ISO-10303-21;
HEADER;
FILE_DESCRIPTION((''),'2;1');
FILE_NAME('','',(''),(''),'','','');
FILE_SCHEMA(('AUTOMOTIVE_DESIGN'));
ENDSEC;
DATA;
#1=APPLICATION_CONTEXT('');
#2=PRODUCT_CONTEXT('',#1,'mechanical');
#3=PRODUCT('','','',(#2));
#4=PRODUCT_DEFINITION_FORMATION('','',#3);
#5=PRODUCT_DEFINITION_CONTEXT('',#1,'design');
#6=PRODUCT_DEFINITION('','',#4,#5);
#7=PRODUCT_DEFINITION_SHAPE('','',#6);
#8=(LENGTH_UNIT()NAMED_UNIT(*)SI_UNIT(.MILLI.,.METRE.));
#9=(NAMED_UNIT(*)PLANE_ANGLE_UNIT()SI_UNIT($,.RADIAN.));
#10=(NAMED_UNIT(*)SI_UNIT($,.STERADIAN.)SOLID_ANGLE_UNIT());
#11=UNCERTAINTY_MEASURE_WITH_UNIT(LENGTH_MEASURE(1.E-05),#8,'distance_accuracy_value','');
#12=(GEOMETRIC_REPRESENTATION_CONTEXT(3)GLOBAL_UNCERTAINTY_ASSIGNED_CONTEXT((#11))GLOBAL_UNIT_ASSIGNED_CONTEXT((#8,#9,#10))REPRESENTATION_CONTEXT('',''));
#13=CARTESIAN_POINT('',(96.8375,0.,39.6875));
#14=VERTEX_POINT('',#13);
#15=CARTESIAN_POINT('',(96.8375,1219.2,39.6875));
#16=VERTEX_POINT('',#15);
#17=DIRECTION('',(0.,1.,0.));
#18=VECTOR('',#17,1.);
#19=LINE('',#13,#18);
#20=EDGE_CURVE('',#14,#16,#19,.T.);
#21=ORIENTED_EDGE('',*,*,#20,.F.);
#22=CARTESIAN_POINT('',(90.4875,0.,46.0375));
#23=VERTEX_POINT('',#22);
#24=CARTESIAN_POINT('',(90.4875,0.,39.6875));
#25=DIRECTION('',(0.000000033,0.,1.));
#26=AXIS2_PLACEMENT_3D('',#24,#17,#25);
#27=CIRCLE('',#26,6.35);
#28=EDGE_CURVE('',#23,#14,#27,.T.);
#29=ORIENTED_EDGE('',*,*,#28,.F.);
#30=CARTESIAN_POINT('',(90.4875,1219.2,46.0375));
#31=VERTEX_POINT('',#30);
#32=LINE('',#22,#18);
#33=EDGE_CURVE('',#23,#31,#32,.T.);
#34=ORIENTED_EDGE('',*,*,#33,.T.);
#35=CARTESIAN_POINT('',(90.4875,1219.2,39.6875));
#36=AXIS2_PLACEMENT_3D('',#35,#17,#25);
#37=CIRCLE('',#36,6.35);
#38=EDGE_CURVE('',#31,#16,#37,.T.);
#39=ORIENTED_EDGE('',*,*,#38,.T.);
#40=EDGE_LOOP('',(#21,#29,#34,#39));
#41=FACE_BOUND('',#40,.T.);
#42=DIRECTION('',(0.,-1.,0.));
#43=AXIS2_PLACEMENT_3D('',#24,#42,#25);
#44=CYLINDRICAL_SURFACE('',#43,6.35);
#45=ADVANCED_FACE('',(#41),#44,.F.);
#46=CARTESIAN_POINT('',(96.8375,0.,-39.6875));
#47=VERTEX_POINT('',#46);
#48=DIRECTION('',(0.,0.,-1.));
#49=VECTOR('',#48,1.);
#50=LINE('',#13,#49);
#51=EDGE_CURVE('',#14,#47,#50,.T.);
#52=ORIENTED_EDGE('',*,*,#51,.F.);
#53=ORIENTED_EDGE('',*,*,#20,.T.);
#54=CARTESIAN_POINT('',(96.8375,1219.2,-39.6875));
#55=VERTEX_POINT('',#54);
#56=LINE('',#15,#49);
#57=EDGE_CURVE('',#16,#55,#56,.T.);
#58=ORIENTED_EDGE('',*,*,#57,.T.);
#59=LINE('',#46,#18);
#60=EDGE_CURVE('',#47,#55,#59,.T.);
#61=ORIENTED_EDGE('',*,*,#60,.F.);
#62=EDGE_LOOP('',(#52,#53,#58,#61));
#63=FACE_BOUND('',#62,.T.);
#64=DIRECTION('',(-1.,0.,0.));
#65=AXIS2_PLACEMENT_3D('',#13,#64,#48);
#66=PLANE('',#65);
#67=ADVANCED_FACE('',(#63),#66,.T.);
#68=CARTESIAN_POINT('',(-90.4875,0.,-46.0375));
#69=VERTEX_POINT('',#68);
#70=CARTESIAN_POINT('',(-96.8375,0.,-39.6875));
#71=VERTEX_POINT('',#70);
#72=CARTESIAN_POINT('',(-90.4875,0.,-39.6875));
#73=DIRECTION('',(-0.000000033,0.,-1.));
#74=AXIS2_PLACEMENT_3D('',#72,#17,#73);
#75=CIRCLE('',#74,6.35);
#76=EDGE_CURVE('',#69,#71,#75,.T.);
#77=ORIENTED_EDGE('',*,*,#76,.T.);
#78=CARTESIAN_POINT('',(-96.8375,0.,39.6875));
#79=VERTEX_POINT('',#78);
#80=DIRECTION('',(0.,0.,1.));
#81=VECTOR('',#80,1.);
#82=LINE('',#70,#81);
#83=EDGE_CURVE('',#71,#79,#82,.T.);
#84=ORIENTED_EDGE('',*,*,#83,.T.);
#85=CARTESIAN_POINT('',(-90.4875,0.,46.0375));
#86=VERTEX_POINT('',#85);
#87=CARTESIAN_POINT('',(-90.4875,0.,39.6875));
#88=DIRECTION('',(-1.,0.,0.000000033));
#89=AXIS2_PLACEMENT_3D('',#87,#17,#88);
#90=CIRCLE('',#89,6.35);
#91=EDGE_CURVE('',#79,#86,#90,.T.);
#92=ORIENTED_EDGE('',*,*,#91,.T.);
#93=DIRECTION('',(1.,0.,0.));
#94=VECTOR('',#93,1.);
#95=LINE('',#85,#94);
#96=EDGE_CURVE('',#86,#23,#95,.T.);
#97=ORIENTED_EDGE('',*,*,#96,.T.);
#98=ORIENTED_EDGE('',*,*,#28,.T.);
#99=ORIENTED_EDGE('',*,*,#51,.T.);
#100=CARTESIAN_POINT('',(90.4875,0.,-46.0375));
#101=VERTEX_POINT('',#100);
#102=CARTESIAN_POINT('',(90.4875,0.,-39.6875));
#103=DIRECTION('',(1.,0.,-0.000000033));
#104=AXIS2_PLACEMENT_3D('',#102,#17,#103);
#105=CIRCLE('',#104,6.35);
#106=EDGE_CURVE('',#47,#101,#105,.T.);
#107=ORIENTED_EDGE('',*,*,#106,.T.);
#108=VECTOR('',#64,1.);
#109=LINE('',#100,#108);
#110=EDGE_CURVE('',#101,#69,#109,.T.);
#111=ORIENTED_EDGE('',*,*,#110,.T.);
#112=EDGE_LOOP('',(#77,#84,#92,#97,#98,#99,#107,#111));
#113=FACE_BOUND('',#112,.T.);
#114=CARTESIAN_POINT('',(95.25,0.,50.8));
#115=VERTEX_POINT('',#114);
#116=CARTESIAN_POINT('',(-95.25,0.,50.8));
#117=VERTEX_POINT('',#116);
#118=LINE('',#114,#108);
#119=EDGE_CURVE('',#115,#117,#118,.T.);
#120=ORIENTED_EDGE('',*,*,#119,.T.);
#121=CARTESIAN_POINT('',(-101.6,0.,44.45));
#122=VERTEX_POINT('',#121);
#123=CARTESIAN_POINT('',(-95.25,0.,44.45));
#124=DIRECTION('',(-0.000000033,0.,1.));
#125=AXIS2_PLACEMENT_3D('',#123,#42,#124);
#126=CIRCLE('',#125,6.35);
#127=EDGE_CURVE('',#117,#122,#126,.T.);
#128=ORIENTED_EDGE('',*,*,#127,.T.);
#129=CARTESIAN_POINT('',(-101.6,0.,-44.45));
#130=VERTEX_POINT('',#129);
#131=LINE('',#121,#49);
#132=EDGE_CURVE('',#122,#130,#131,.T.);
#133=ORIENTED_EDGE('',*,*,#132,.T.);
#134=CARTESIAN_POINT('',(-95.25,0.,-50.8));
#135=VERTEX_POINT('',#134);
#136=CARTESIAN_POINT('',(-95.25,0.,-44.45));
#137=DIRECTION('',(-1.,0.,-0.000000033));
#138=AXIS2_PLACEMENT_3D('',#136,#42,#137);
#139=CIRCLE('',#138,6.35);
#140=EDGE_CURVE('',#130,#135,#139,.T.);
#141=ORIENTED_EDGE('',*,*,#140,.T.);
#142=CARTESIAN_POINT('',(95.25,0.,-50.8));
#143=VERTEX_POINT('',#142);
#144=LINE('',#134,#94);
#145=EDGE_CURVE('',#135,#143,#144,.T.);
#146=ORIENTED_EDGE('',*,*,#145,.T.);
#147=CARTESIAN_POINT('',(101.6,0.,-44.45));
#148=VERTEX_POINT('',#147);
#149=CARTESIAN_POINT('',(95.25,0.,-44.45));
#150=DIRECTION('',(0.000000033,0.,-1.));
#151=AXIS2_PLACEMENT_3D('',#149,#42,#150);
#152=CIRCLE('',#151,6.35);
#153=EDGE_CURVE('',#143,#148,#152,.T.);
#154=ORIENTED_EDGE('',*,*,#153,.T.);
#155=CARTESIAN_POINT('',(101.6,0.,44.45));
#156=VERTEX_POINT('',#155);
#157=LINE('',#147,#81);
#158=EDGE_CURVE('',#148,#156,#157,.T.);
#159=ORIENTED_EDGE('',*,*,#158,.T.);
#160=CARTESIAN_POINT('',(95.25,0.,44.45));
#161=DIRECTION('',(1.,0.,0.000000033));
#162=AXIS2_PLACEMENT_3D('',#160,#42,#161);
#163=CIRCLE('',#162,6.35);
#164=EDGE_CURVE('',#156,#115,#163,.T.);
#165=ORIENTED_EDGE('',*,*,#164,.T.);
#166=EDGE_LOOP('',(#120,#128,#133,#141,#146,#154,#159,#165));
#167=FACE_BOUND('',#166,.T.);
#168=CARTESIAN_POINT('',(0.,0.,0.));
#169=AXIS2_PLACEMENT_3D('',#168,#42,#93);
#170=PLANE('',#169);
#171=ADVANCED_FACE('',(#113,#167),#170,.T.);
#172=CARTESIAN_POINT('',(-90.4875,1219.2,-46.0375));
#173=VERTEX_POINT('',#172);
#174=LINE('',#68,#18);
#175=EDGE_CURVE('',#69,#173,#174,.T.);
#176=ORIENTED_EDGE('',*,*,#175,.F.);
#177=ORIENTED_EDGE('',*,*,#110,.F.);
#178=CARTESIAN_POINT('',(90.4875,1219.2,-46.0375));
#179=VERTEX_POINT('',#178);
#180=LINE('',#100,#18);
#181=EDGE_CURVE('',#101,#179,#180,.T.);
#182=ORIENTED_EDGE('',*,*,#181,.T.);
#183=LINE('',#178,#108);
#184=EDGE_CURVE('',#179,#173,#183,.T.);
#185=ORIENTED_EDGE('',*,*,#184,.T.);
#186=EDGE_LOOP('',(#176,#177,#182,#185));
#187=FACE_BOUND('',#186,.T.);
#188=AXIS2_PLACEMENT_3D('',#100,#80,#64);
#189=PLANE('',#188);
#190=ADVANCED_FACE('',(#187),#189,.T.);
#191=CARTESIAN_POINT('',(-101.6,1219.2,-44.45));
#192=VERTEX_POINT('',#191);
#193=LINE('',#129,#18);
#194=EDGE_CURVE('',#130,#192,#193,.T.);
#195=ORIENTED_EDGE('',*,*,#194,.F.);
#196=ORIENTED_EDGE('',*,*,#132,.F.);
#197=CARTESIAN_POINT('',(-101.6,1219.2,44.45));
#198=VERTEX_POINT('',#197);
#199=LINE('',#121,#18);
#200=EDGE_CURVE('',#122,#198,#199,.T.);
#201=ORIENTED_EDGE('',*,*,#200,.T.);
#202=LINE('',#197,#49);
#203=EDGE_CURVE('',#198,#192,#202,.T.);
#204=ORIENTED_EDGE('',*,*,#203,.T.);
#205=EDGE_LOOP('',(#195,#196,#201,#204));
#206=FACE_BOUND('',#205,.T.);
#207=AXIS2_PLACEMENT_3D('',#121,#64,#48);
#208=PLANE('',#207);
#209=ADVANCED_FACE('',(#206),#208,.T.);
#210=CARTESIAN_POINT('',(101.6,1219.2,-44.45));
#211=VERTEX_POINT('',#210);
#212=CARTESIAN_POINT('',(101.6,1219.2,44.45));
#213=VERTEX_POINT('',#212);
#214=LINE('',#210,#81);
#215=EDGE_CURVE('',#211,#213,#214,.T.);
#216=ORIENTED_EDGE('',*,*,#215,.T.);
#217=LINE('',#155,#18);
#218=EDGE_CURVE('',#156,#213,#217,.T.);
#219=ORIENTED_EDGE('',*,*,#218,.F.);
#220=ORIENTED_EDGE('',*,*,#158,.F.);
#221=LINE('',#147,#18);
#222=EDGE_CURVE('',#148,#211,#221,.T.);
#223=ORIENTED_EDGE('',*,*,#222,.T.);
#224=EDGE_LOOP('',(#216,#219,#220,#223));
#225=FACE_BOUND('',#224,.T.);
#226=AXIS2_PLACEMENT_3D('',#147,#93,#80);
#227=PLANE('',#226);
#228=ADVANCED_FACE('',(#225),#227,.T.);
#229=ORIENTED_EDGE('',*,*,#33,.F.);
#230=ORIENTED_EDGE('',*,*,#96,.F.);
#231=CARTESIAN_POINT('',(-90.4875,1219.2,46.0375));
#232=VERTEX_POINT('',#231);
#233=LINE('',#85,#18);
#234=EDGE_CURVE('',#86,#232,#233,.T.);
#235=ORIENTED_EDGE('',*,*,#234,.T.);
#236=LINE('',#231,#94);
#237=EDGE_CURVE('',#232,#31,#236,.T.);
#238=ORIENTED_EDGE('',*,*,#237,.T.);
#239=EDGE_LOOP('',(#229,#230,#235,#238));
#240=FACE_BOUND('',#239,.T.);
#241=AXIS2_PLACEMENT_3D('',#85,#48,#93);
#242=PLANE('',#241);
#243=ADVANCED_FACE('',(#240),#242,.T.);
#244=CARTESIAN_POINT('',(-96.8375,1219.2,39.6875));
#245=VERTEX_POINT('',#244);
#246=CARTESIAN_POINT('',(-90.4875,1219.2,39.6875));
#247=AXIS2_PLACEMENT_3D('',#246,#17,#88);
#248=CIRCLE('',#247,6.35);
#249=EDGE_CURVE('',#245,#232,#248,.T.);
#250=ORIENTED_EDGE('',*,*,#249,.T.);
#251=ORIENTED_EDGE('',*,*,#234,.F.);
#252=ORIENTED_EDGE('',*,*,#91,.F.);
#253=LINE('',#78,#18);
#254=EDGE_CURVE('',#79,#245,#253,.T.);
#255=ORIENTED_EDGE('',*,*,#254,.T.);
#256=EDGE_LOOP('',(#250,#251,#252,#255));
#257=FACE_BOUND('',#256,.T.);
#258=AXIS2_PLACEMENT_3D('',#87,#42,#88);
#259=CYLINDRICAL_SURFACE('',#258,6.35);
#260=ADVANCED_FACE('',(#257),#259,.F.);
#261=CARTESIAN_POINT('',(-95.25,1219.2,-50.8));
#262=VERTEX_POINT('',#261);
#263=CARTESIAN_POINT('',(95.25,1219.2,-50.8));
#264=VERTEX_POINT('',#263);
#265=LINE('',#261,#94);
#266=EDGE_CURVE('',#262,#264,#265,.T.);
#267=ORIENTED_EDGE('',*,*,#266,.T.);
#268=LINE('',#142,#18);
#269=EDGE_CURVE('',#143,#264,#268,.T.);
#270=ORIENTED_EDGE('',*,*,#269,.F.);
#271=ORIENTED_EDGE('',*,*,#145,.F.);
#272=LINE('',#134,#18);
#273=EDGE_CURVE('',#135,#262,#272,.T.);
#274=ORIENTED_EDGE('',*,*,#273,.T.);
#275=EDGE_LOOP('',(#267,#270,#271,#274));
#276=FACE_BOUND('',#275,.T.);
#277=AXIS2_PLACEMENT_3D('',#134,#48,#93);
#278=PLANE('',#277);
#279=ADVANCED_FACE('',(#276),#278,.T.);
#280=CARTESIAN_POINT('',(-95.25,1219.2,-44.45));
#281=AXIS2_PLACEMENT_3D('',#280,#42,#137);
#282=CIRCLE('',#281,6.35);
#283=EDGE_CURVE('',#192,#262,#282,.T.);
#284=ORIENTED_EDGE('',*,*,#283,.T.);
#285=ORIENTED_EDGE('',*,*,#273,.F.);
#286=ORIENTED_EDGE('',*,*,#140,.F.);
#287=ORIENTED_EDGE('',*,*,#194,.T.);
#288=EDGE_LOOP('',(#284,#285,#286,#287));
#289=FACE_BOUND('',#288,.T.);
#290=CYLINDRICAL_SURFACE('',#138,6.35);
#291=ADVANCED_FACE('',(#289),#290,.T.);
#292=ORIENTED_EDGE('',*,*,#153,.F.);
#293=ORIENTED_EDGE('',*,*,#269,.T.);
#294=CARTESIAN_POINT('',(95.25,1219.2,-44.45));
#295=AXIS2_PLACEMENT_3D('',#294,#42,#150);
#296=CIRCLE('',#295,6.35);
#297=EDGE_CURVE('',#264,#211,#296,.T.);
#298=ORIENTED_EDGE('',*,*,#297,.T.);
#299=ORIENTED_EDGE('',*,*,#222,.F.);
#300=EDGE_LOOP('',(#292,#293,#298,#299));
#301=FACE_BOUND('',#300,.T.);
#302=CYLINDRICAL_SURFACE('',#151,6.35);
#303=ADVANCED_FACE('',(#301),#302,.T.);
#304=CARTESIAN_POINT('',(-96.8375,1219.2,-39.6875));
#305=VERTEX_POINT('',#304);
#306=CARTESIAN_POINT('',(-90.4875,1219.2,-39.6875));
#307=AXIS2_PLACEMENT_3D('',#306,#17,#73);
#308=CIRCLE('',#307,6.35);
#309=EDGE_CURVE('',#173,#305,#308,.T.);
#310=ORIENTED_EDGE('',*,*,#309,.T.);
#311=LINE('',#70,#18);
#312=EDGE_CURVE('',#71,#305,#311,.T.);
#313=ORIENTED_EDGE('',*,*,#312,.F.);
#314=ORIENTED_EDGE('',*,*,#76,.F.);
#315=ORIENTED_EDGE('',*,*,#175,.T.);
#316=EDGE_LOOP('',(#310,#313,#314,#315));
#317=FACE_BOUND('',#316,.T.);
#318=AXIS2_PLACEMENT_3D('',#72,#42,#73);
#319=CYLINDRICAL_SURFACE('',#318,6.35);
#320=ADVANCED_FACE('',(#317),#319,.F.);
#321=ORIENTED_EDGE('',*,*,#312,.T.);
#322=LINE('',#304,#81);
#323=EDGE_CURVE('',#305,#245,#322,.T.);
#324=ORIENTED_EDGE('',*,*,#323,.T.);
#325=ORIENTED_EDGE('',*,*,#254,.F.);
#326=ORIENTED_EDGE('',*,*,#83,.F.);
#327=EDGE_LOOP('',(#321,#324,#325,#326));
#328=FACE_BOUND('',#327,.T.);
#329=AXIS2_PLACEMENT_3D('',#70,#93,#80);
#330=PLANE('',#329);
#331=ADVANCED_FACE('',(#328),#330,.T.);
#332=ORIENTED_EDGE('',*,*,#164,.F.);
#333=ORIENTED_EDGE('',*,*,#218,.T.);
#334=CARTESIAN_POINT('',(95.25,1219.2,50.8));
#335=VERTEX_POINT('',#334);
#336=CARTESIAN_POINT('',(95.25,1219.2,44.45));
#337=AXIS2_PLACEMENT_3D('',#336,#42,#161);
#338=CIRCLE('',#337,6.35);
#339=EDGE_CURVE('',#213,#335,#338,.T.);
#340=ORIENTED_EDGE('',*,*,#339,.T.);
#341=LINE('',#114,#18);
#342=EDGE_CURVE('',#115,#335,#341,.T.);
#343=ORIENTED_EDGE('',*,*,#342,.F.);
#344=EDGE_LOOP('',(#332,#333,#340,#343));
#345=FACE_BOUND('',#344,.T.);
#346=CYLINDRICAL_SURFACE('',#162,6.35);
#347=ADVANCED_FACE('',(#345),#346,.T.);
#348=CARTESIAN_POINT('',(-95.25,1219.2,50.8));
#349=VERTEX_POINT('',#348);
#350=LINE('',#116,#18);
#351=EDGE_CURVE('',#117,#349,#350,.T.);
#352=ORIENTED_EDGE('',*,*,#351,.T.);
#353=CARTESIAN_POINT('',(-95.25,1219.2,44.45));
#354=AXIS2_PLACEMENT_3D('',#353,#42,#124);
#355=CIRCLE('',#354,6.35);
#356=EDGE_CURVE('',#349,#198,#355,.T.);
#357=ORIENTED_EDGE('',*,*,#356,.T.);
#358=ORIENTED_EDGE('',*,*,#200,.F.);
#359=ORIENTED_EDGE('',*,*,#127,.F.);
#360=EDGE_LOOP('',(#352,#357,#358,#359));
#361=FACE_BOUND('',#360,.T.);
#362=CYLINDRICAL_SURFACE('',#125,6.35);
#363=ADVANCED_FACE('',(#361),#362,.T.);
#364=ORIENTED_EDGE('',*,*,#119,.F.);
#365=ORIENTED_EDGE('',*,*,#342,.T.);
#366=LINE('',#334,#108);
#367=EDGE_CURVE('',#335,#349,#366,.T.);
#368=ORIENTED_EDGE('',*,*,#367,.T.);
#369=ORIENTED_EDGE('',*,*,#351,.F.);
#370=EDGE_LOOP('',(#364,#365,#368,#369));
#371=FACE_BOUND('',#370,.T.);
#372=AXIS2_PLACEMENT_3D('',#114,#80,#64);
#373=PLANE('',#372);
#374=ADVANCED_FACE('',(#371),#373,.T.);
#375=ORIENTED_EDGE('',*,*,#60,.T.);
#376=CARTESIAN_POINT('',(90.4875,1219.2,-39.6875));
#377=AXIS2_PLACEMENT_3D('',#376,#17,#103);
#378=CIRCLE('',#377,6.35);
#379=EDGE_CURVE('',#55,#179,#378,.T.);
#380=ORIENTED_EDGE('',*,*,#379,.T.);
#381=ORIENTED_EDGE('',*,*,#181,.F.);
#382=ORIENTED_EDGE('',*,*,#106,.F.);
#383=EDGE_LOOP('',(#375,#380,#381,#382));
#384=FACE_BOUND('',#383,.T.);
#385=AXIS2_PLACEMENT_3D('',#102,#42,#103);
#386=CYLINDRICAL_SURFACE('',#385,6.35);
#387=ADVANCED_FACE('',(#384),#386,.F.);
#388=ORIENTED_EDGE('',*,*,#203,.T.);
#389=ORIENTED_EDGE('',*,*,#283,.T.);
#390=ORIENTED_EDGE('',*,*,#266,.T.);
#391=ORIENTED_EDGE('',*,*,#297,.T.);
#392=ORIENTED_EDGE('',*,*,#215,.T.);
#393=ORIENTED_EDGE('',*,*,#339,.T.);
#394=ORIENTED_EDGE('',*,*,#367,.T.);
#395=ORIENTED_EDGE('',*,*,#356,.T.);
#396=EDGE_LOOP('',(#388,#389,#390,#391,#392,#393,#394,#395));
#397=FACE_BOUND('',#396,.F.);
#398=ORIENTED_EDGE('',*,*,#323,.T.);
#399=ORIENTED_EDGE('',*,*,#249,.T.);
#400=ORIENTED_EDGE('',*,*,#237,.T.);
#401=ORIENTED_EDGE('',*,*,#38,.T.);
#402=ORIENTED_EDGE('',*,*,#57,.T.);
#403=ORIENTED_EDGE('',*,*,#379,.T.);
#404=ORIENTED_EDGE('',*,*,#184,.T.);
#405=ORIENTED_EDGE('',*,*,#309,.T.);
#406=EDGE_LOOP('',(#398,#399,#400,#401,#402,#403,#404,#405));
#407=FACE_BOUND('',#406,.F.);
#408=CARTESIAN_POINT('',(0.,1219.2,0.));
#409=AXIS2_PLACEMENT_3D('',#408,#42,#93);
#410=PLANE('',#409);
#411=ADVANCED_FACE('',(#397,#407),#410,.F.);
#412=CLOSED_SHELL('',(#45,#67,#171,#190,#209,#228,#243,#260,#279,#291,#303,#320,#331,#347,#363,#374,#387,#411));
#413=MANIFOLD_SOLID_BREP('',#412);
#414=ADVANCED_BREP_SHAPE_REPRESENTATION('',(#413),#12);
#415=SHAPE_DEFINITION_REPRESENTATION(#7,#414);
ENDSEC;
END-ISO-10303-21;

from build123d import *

# Parameters (mm, degrees)
F1_DEPTH = 1219.2


with BuildPart() as f1:
    # F0 (on Front) → F1 (new body)
    with BuildSketch(Plane.XZ):
        with BuildLine():
            ThreePointArc((101.6, 44.45), (99.740128, 48.940128), (95.25, 50.8))
            Line((95.25, 50.8), (-95.25, 50.8))
            ThreePointArc((-95.25, 50.8), (-99.740128, 48.940128), (-101.6, 44.45))
            Line((-101.6, 44.45), (-101.6, -44.45))
            ThreePointArc((-101.6, -44.45), (-99.740128, -48.940128), (-95.25, -50.8))
            Line((-95.25, -50.8), (95.25, -50.8))
            ThreePointArc((95.25, -50.8), (99.740128, -48.940128), (101.6, -44.45))
            Line((101.6, -44.45), (101.6, 44.45))
        make_face()
        with BuildLine():
            Line((-90.4875, 46.0375), (90.4875, 46.0375))
            ThreePointArc((90.4875, 46.0375), (94.977628, 44.177628), (96.8375, 39.6875))
            Line((96.8375, 39.6875), (96.8375, -39.6875))
            ThreePointArc((96.8375, -39.6875), (94.977628, -44.177628), (90.4875, -46.0375))
            Line((90.4875, -46.0375), (-90.4875, -46.0375))
            ThreePointArc((-90.4875, -46.0375), (-94.977628, -44.177628), (-96.8375, -39.6875))
            Line((-96.8375, -39.6875), (-96.8375, 39.6875))
            ThreePointArc((-96.8375, 39.6875), (-94.977628, 44.177628), (-90.4875, 46.0375))
        make_face(mode=Mode.SUBTRACT)
    extrude(amount=-F1_DEPTH)


solid = f1.part
